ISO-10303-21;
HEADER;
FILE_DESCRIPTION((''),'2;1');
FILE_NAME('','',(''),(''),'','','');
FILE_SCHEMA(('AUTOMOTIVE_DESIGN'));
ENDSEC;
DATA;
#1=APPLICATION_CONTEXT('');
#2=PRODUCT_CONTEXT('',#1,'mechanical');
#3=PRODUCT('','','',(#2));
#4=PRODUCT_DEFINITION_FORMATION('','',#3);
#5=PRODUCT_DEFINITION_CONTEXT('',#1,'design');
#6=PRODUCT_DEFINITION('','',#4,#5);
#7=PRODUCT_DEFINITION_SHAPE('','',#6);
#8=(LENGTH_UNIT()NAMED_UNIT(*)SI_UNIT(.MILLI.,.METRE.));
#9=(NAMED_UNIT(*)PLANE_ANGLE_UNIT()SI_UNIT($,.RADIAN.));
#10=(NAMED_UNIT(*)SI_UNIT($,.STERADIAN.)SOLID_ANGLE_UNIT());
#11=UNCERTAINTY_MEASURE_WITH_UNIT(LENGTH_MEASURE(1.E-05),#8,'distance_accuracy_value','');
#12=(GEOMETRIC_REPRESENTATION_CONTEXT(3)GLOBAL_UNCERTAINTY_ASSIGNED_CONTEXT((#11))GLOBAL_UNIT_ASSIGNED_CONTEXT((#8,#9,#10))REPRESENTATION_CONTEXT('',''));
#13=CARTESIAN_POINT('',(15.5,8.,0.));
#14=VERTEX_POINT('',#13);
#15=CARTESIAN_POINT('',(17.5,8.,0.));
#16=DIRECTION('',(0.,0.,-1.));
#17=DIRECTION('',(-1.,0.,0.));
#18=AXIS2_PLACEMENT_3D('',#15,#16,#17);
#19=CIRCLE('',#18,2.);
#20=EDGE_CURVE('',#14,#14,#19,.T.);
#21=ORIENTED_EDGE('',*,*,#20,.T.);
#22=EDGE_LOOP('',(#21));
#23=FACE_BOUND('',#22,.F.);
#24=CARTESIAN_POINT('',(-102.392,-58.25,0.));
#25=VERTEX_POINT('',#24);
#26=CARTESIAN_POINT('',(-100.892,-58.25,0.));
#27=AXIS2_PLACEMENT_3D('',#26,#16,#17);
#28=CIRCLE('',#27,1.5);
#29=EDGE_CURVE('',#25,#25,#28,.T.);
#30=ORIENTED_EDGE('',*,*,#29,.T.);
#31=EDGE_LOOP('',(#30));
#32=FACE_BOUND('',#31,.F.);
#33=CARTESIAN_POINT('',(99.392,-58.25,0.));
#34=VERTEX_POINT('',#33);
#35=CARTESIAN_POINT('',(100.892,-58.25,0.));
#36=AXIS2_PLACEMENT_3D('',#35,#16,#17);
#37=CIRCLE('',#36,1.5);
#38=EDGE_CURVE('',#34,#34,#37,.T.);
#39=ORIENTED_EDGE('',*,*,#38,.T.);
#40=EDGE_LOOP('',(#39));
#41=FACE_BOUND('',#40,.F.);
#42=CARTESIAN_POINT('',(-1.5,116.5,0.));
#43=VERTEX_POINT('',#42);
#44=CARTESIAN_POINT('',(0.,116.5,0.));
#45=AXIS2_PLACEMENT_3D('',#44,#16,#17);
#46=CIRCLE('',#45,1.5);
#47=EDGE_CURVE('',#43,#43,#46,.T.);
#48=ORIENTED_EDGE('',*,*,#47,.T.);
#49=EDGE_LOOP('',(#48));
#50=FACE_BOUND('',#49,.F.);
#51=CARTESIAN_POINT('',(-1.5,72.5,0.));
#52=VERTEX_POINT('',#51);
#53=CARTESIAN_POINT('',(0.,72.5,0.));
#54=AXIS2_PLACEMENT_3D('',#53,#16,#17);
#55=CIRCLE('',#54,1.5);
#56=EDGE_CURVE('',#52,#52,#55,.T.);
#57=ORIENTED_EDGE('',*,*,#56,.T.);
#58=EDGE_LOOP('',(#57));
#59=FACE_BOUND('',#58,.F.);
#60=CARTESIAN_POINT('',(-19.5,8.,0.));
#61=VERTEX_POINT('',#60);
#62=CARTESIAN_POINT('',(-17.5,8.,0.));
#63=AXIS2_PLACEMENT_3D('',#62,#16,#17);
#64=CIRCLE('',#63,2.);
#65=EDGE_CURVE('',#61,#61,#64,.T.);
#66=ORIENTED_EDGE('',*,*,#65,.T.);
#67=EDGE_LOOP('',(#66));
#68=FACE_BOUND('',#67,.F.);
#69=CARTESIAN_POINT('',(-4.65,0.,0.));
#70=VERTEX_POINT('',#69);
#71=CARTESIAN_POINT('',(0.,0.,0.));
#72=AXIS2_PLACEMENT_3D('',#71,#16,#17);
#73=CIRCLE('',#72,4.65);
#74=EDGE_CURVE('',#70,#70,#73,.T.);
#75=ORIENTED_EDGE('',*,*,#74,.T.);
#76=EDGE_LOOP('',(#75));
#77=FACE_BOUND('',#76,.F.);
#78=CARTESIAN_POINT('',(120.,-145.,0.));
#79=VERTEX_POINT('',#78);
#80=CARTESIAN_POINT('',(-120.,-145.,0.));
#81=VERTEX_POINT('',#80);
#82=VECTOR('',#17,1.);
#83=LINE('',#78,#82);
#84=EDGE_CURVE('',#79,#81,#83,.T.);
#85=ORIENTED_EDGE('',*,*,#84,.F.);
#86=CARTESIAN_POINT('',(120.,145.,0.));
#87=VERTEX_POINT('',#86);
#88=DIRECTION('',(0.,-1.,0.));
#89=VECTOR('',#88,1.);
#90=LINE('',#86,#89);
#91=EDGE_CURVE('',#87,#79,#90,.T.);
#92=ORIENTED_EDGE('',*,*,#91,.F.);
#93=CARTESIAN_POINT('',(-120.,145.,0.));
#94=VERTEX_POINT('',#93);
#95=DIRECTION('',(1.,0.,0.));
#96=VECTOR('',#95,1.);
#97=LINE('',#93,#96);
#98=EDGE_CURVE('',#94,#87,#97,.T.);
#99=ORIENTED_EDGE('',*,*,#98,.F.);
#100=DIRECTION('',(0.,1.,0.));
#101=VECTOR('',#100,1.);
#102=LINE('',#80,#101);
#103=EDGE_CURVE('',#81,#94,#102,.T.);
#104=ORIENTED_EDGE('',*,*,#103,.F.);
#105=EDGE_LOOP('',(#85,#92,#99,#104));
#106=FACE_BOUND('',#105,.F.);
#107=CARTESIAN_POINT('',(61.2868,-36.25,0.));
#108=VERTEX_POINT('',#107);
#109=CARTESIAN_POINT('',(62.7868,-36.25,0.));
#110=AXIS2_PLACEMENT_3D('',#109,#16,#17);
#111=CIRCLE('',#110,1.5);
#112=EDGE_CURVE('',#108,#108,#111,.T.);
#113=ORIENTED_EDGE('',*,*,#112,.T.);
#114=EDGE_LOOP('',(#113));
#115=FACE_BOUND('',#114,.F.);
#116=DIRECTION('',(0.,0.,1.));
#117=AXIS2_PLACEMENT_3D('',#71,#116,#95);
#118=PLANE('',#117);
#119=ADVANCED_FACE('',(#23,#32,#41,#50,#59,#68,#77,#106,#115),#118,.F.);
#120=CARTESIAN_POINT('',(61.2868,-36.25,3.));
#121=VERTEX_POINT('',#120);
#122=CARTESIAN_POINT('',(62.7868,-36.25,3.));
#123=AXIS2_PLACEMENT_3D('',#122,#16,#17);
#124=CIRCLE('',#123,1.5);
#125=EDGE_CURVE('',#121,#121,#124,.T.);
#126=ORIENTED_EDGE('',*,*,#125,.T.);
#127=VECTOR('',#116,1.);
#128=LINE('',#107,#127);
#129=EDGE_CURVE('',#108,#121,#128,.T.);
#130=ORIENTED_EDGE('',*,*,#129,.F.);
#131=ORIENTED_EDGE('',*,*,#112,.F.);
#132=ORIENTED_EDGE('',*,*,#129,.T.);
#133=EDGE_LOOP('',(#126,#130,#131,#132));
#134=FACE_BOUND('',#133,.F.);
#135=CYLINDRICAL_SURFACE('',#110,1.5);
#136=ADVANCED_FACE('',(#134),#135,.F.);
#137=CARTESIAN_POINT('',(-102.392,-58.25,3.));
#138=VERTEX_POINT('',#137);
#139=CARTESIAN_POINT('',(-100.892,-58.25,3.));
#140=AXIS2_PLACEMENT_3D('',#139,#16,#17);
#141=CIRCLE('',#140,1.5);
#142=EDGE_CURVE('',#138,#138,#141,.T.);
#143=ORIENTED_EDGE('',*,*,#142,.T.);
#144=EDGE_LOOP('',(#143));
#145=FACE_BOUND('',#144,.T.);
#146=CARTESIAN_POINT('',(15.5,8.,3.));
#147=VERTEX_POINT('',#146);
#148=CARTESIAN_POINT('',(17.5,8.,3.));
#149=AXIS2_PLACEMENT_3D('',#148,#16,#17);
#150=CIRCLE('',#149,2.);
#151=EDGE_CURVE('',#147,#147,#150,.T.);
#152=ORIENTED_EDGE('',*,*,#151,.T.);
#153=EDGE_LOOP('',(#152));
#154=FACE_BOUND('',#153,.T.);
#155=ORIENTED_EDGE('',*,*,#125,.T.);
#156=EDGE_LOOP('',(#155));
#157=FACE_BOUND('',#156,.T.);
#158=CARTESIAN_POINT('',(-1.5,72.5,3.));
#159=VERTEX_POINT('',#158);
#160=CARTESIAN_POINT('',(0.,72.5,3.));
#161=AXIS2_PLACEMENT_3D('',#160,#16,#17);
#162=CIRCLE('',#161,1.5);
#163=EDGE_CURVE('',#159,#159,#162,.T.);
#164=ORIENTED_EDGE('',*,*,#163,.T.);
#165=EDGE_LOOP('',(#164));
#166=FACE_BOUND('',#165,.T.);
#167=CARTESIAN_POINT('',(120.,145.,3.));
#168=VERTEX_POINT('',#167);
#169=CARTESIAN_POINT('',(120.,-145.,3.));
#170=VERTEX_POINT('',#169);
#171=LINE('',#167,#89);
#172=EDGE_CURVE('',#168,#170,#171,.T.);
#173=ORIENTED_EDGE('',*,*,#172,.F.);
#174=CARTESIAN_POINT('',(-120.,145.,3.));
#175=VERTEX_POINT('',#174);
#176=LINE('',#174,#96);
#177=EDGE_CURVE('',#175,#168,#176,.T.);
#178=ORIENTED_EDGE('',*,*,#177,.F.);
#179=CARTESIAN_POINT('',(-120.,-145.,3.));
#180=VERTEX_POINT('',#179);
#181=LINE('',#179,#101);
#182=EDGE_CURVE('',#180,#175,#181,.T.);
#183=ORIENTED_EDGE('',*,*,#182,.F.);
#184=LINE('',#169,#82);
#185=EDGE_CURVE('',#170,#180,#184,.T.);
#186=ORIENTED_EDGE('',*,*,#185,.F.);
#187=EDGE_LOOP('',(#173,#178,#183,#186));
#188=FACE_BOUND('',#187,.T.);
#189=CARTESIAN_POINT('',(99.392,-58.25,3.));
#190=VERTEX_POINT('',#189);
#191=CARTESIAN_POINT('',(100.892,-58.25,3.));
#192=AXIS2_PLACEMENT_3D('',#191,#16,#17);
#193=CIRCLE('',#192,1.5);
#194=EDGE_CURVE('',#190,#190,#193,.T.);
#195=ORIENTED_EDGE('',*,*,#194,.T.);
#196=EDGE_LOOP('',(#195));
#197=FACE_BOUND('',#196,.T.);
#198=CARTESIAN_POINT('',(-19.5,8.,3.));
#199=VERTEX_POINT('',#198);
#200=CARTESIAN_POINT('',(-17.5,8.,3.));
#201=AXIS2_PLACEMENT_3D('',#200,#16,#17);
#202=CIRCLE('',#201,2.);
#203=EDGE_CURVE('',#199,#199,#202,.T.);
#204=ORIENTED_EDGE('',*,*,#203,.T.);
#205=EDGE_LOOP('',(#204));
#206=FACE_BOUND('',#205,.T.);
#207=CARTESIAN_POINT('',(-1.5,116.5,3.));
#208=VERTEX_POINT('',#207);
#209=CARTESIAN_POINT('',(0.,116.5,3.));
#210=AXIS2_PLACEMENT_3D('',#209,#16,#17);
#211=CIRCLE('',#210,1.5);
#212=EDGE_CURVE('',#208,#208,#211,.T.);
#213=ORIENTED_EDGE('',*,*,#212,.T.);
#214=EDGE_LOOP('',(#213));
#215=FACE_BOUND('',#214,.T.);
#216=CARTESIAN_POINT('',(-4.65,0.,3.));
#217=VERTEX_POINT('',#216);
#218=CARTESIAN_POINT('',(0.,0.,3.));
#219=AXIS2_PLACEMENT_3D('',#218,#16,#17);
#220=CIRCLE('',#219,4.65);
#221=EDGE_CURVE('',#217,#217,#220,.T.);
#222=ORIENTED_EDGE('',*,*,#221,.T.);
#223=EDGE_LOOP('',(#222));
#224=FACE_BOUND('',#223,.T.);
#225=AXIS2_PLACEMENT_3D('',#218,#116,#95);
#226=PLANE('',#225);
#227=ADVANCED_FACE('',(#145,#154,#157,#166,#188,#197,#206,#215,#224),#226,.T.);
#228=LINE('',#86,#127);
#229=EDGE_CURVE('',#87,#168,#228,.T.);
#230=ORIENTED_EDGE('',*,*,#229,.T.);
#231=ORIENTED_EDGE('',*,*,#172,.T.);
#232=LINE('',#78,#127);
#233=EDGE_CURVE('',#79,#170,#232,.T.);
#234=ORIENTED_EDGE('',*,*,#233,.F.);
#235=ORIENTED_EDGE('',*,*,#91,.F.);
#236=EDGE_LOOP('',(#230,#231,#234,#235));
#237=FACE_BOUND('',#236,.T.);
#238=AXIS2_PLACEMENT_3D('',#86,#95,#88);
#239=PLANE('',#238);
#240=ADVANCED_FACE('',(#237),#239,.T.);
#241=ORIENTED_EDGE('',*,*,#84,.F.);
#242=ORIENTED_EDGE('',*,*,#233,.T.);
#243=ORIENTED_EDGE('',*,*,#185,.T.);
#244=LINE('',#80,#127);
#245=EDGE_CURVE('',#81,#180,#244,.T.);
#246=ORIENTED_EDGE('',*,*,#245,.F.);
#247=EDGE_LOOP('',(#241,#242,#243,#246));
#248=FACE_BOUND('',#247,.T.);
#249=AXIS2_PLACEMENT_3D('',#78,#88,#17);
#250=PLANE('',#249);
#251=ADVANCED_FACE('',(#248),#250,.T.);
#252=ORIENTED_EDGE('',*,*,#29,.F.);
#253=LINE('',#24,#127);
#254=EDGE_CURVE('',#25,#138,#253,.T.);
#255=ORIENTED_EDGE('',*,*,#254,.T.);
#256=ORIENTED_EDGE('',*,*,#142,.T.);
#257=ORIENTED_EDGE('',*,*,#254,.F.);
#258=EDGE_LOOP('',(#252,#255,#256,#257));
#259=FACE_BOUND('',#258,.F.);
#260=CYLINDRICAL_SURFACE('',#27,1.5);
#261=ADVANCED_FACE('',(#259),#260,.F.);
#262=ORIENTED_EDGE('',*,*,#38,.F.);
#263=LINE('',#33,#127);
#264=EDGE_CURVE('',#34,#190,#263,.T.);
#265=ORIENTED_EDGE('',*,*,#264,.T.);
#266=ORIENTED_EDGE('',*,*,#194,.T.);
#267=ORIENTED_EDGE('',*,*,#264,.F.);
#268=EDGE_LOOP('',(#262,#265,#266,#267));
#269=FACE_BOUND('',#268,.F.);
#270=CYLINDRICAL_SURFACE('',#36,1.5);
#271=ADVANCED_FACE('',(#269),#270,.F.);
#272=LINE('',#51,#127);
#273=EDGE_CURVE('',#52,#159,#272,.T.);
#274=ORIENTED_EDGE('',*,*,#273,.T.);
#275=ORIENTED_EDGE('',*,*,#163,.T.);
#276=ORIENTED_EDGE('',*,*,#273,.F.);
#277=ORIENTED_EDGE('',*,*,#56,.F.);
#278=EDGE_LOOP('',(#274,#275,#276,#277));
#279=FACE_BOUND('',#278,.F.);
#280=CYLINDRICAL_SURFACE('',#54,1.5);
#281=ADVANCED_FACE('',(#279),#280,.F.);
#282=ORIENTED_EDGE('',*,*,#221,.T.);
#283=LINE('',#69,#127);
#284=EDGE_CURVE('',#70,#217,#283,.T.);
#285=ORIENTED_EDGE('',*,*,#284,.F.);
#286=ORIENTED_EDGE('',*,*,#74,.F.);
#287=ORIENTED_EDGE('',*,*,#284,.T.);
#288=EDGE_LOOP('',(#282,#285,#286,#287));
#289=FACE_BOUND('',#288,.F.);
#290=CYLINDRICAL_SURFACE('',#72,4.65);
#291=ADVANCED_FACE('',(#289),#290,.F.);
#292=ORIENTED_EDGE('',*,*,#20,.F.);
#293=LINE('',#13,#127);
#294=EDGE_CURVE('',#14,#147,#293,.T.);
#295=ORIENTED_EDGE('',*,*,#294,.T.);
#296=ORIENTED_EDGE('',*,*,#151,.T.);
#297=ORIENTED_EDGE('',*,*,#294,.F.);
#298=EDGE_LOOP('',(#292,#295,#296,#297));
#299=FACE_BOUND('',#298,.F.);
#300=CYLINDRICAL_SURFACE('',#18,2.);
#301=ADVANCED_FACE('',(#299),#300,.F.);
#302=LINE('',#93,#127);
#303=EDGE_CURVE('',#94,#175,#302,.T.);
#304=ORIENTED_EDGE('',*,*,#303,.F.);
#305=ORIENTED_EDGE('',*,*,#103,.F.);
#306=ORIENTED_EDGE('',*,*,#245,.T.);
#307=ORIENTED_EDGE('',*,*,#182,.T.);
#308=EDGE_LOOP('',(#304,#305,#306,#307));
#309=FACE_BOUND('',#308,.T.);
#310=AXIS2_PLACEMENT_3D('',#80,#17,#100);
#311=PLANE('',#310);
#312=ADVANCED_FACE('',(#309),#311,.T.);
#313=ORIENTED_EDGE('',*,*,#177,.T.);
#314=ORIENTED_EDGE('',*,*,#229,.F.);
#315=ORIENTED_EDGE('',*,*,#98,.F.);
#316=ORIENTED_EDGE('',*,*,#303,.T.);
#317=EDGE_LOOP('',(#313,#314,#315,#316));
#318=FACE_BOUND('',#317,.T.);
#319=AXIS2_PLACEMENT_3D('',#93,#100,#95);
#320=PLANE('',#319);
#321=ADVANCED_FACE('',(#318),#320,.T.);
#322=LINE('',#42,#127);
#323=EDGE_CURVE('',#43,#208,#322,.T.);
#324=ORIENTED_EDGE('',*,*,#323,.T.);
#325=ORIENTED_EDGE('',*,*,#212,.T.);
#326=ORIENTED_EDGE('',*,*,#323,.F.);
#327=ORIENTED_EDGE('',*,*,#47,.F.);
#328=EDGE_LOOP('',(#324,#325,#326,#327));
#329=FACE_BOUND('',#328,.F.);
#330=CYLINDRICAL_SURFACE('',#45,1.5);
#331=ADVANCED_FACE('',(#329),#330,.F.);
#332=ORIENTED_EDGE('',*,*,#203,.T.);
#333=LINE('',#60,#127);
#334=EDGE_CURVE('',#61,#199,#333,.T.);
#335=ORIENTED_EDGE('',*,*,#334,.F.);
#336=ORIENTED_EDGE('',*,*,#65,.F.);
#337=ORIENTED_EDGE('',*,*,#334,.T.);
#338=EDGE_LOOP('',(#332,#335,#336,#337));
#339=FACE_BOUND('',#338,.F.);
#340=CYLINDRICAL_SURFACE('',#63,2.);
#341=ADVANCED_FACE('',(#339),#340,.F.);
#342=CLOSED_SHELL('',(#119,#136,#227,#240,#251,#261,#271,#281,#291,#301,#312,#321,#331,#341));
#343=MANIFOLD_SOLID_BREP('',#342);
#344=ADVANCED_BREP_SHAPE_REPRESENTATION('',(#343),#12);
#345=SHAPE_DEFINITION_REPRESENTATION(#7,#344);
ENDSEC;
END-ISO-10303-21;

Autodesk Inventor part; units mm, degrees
ref_plane "XZ Plane" through (0, 0, 0) normal (0, 1, 0) x (-1, 0, 0)
ref_plane "XY Plane" through (0, 0, 0) normal (0, 0, 1) x (1, 0, 0)
sketch "Эскиз1" plane through (0, 0, 0) normal (0, 0, 1) x (1, 0, 0)
  line L0 (-120, 145) -> (120, 145)
  line L1 (120, 145) -> (120, -145)
  line L2 (120, -145) -> (-120, -145)
  line L3 (-120, -145) -> (-120, 145)
  line L4 (-120, 145) -> (120, -145) construction
  line L5 (120, 145) -> (-120, -145) construction
  point P0 (0, 0)
  dimension "d0" = 240
  dimension "d1" = 290
extrude "Выдавливание1" add sketch "Эскиз1" along normal blind 3
sketch "Эскиз2" plane through (0, 0, 3) normal (0, 0, 1) x (1, 0, 0)
  line L0 (-5, 120) -> (5, 120)
  line L1 (120, 145) -> (-120, 145) projected
  line L2 (0, 203) -> (0, -203) projected
  line L3 (-101.423, -64.3301) -> (-106.423, -55.6699)
  line L4 (106.423, -55.6699) -> (101.423, -64.3301)
  point P0 (0, 0)
  point P1 (0, 120)
  point P2 (0, 0)
  point P3 (-103.923, -60)
  point P4 (103.923, -60)
  dimension "d4" = 25
  dimension "d5" = 10
  dimension "d8" = 360
  dimension "d10" = 120
sketch "Эскиз3" plane through (0, 0, 0) normal (0, 0, -1) x (-1, 0, 0)
  circle A0 centre (17.5, 8) radius 2 projected
  circle A1 centre (-17.5, 8) radius 2 projected
  circle A2 centre (-100.892, -58.25) radius 1.5 projected
  circle A3 centre (-62.7868, -36.25) radius 1.5 projected
  circle A4 centre (100.892, -58.25) radius 1.5 projected
  circle A5 centre (62.7868, -36.25) radius 1.5 projected
  circle A6 centre (0, 116.5) radius 1.5 projected
  circle A7 centre (0, 72.5) radius 1.5 projected
  circle A8 centre (0, 0) radius 4.6 projected
  circle A9 centre (0, 0) radius 4.65
  point P0 (0, 0)
  dimension "d13" = 0.05
extrude "Выдавливание2" cut sketch "Эскиз3" against normal through all contours A0 | A1 | A2 | A3 | A4 | A6 | A7 | A8 | A9
properties part number "верхняя пластина"
